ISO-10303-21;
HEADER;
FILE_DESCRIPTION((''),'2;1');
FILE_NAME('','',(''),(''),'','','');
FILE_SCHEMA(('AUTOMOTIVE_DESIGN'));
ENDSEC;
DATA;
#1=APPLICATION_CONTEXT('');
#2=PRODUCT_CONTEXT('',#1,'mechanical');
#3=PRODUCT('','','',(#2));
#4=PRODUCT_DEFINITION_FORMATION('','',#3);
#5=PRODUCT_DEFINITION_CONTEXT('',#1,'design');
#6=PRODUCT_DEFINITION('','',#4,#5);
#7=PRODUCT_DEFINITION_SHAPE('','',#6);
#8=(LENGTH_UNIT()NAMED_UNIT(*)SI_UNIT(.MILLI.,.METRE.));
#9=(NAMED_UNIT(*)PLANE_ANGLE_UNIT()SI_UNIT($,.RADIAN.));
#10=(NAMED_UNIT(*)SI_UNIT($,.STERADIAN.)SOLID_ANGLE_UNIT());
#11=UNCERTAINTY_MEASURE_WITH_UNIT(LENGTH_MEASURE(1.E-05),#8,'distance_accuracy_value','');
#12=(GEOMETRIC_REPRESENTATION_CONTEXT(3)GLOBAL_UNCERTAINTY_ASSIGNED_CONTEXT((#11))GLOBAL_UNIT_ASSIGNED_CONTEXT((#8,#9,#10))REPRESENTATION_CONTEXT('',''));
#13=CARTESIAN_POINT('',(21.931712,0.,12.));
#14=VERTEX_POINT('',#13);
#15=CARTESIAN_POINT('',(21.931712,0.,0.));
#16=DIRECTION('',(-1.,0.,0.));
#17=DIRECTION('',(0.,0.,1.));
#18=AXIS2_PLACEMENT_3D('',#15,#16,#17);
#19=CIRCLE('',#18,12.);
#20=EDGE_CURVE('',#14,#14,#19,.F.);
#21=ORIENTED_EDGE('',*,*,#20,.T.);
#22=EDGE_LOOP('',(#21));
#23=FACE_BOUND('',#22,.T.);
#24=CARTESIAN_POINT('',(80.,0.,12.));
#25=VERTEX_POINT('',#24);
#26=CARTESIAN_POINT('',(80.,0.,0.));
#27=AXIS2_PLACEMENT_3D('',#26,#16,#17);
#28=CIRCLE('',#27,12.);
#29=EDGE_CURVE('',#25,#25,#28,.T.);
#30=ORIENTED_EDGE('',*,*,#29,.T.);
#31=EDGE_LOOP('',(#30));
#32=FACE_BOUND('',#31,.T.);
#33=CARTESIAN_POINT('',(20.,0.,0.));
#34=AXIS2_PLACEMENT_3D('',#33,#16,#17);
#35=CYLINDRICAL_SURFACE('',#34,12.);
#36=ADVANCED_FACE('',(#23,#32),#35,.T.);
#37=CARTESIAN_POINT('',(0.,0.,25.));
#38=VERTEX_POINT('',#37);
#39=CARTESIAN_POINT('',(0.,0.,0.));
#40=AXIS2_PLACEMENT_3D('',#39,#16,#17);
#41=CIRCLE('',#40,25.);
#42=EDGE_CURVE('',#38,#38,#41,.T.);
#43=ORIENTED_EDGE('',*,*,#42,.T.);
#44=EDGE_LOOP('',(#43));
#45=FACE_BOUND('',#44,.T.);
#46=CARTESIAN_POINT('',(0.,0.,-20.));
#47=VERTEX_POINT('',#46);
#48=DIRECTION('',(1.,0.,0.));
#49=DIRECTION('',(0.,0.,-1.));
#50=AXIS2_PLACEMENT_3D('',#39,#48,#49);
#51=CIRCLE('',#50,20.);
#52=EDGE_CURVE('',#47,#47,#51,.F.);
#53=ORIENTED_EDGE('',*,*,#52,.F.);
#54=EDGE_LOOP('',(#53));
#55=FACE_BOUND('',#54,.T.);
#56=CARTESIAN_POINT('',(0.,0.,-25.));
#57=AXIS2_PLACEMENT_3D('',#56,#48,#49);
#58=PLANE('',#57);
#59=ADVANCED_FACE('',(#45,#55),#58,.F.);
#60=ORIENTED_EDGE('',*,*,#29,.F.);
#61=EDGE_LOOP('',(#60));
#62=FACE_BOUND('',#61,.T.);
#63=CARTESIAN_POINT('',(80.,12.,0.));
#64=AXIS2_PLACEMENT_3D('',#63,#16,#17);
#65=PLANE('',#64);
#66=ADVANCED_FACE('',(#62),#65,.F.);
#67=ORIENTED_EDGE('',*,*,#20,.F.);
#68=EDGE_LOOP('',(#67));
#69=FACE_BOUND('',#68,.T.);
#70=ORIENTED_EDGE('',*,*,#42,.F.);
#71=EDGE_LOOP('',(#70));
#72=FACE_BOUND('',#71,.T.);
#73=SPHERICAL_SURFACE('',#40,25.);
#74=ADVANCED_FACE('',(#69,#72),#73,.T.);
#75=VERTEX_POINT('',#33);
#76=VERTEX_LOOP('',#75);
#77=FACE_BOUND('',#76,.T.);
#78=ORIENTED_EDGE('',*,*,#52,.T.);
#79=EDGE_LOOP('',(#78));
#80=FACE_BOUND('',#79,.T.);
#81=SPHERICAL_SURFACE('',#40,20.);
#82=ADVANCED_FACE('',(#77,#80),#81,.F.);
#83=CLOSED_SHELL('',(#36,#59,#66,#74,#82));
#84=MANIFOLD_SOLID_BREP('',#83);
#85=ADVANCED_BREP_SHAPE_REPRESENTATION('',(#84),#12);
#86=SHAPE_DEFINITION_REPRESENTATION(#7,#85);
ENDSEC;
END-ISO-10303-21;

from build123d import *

# Parameters (mm, degrees)
SHELL1_T  = -5
SKETCH3_W = 60
SKETCH3_H = 12


with BuildPart() as part:
    # Sketch2 → Revolve1 (revolve)
    with BuildSketch(Plane(origin=(0, 0, 0), x_dir=(1, 0, 0), z_dir=(0, 1, 0))):
        with BuildLine():
            Line((0, 25), (0, 0))
            Line((0, 0), (25, 0))
            ThreePointArc((25, 0), (17.67766953, 17.67766953), (0, 25))
        make_face()
    revolve(axis=Axis((0, 0, 0), (1, 0, 0)))

    # Shell1
    shell1_openings = [part.faces().sort_by_distance(p)[0] for p in [
        (0, 0, 25),
    ]]
    offset(amount=SHELL1_T, openings=shell1_openings, kind=Kind.INTERSECTION)

    # Sketch3 → Revolve3 (revolve)
    with BuildSketch(Plane.XY):
        with Locations((50, 6)):
            Rectangle(SKETCH3_W, SKETCH3_H)
    revolve(axis=Axis((20, 0, 0), (1, 0, 0)))


solid = part.part
